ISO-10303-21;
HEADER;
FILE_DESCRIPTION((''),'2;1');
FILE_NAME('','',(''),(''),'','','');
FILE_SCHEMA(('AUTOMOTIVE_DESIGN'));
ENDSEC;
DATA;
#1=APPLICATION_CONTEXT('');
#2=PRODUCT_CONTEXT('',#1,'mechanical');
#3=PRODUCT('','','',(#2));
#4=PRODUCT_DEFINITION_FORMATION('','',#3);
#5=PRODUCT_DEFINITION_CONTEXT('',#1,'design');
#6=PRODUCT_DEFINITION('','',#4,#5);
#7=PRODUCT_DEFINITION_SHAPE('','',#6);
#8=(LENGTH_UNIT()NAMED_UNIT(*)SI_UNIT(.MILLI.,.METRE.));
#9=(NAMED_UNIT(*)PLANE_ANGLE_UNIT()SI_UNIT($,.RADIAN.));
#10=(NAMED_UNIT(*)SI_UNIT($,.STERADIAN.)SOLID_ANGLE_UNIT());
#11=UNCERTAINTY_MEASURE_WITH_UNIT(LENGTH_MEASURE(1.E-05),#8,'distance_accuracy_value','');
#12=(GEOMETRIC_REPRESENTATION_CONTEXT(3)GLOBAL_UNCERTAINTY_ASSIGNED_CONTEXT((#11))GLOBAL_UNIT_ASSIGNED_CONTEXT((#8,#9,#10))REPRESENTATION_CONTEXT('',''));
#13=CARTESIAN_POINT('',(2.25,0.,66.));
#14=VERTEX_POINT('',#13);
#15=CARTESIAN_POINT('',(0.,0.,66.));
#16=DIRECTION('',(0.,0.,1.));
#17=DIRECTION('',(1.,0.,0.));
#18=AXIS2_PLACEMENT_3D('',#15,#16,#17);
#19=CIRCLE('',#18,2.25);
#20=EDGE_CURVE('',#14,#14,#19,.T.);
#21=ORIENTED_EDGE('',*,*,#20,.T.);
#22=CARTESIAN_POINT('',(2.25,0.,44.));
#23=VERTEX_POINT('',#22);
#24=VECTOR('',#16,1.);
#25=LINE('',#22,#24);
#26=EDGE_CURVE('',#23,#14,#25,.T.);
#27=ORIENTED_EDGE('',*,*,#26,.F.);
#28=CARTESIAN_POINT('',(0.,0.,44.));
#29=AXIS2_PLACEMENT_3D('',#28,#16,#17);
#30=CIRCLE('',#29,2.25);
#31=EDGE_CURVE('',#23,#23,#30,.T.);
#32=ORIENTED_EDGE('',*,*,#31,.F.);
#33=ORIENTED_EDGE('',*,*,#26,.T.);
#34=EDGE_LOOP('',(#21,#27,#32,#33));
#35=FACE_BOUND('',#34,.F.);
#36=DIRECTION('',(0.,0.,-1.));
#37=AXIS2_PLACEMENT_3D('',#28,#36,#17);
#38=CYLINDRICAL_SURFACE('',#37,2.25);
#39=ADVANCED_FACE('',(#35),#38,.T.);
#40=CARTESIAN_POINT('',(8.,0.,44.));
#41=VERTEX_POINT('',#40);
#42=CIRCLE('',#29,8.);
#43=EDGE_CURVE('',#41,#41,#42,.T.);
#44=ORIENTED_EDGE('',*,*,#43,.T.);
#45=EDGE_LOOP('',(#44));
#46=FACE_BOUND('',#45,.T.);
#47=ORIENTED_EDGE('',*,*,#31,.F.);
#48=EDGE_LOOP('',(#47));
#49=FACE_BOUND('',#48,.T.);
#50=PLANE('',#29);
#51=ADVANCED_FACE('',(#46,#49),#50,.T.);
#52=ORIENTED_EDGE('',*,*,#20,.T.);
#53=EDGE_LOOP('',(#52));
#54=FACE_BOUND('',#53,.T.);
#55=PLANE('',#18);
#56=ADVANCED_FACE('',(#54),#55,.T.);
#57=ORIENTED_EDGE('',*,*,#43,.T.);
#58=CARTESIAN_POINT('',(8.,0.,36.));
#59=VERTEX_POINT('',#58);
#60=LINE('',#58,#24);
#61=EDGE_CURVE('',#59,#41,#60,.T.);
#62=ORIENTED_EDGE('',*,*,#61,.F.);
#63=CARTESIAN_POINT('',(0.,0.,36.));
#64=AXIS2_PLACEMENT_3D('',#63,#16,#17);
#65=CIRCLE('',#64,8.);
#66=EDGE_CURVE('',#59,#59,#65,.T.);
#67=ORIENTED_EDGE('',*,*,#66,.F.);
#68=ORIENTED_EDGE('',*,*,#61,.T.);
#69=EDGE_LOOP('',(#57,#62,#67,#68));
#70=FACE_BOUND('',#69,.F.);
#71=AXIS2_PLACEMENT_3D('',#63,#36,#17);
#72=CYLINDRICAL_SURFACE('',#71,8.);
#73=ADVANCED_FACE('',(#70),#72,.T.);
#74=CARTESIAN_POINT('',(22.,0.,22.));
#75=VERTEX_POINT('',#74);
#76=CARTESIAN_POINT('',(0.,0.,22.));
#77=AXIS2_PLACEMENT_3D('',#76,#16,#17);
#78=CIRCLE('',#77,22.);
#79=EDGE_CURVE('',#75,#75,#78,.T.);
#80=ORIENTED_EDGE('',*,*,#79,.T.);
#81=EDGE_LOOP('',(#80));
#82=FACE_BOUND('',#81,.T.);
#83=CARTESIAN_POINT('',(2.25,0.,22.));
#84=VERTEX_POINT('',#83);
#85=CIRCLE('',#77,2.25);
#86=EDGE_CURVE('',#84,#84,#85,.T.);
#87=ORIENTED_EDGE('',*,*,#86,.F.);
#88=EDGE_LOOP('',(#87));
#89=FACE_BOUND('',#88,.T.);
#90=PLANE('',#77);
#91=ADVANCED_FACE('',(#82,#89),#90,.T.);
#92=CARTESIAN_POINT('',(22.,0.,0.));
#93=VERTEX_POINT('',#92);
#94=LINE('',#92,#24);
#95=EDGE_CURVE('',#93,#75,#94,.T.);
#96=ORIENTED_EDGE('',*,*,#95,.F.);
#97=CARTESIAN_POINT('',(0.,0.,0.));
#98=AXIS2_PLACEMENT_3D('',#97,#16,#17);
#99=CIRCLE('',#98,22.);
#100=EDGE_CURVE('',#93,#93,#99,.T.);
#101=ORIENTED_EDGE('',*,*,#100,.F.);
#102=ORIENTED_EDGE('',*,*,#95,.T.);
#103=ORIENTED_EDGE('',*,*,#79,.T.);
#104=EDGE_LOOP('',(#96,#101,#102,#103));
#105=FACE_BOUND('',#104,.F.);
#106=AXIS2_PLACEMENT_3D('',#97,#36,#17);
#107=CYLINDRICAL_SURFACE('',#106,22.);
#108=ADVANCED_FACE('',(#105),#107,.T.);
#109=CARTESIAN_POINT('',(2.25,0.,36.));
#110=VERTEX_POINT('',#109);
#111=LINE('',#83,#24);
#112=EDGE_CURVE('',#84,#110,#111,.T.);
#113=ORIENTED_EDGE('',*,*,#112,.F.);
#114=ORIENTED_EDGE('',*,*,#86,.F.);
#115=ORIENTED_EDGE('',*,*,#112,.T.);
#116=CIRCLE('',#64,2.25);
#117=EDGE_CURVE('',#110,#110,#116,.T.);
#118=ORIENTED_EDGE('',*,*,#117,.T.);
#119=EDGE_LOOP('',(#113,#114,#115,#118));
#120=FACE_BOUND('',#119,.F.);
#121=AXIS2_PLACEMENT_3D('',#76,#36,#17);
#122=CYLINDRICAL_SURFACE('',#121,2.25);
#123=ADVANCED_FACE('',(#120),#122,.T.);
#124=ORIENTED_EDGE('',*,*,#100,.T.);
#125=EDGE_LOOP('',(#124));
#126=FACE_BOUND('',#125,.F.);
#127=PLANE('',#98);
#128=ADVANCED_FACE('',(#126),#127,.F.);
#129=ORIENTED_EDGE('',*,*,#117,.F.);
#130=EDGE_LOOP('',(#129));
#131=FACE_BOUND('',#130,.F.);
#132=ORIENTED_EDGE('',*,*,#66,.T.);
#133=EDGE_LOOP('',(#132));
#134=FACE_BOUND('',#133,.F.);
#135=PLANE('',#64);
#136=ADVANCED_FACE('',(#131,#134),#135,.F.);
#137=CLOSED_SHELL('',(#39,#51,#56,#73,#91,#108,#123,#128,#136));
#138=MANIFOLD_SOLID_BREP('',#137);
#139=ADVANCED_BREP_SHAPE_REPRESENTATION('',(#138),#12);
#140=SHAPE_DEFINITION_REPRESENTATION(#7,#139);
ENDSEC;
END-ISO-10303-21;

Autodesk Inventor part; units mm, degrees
ref_plane "YZ Plane" through (0, 0, 0) normal (1, 0, 0) x (0, 1, 0)
ref_plane "XZ Plane" through (0, 0, 0) normal (0, 1, 0) x (-1, 0, 0)
ref_plane "XY Plane" through (0, 0, 0) normal (0, 0, 1) x (1, 0, 0)
sketch "Sketch1" plane through (0, 0, 0) normal (0, 0, 1) x (1, 0, 0)
  circle A0 centre (0, 0) radius 22
  dimension "d0" = 44
extrude "Extrusion1" add sketch "Sketch1" along normal blind 22
sketch "Sketch2" plane through (0, 0, 22) normal (0, 0, 1) x (1, 0, 0)
  circle A0 centre (0, 0) radius 2.25
  dimension "d3" = 4.5
extrude "Extrusion2" add sketch "Sketch2" along normal blind 14
sketch "Sketch3" plane through (0, 0, 36) normal (0, 0, 1) x (1, 0, 0)
  circle A0 centre (0, 0) radius 8
  dimension "d6" = 16
extrude "Extrusion3" add sketch "Sketch3" along normal blind 8
sketch "Sketch4" plane through (0, 0, 44) normal (0, 0, 1) x (1, 0, 0)
  circle A0 centre (0, 0) radius 2.25
extrude "Extrusion4" add sketch "Sketch4" along normal blind 22
properties part number "Wheel_Place_Holder"
